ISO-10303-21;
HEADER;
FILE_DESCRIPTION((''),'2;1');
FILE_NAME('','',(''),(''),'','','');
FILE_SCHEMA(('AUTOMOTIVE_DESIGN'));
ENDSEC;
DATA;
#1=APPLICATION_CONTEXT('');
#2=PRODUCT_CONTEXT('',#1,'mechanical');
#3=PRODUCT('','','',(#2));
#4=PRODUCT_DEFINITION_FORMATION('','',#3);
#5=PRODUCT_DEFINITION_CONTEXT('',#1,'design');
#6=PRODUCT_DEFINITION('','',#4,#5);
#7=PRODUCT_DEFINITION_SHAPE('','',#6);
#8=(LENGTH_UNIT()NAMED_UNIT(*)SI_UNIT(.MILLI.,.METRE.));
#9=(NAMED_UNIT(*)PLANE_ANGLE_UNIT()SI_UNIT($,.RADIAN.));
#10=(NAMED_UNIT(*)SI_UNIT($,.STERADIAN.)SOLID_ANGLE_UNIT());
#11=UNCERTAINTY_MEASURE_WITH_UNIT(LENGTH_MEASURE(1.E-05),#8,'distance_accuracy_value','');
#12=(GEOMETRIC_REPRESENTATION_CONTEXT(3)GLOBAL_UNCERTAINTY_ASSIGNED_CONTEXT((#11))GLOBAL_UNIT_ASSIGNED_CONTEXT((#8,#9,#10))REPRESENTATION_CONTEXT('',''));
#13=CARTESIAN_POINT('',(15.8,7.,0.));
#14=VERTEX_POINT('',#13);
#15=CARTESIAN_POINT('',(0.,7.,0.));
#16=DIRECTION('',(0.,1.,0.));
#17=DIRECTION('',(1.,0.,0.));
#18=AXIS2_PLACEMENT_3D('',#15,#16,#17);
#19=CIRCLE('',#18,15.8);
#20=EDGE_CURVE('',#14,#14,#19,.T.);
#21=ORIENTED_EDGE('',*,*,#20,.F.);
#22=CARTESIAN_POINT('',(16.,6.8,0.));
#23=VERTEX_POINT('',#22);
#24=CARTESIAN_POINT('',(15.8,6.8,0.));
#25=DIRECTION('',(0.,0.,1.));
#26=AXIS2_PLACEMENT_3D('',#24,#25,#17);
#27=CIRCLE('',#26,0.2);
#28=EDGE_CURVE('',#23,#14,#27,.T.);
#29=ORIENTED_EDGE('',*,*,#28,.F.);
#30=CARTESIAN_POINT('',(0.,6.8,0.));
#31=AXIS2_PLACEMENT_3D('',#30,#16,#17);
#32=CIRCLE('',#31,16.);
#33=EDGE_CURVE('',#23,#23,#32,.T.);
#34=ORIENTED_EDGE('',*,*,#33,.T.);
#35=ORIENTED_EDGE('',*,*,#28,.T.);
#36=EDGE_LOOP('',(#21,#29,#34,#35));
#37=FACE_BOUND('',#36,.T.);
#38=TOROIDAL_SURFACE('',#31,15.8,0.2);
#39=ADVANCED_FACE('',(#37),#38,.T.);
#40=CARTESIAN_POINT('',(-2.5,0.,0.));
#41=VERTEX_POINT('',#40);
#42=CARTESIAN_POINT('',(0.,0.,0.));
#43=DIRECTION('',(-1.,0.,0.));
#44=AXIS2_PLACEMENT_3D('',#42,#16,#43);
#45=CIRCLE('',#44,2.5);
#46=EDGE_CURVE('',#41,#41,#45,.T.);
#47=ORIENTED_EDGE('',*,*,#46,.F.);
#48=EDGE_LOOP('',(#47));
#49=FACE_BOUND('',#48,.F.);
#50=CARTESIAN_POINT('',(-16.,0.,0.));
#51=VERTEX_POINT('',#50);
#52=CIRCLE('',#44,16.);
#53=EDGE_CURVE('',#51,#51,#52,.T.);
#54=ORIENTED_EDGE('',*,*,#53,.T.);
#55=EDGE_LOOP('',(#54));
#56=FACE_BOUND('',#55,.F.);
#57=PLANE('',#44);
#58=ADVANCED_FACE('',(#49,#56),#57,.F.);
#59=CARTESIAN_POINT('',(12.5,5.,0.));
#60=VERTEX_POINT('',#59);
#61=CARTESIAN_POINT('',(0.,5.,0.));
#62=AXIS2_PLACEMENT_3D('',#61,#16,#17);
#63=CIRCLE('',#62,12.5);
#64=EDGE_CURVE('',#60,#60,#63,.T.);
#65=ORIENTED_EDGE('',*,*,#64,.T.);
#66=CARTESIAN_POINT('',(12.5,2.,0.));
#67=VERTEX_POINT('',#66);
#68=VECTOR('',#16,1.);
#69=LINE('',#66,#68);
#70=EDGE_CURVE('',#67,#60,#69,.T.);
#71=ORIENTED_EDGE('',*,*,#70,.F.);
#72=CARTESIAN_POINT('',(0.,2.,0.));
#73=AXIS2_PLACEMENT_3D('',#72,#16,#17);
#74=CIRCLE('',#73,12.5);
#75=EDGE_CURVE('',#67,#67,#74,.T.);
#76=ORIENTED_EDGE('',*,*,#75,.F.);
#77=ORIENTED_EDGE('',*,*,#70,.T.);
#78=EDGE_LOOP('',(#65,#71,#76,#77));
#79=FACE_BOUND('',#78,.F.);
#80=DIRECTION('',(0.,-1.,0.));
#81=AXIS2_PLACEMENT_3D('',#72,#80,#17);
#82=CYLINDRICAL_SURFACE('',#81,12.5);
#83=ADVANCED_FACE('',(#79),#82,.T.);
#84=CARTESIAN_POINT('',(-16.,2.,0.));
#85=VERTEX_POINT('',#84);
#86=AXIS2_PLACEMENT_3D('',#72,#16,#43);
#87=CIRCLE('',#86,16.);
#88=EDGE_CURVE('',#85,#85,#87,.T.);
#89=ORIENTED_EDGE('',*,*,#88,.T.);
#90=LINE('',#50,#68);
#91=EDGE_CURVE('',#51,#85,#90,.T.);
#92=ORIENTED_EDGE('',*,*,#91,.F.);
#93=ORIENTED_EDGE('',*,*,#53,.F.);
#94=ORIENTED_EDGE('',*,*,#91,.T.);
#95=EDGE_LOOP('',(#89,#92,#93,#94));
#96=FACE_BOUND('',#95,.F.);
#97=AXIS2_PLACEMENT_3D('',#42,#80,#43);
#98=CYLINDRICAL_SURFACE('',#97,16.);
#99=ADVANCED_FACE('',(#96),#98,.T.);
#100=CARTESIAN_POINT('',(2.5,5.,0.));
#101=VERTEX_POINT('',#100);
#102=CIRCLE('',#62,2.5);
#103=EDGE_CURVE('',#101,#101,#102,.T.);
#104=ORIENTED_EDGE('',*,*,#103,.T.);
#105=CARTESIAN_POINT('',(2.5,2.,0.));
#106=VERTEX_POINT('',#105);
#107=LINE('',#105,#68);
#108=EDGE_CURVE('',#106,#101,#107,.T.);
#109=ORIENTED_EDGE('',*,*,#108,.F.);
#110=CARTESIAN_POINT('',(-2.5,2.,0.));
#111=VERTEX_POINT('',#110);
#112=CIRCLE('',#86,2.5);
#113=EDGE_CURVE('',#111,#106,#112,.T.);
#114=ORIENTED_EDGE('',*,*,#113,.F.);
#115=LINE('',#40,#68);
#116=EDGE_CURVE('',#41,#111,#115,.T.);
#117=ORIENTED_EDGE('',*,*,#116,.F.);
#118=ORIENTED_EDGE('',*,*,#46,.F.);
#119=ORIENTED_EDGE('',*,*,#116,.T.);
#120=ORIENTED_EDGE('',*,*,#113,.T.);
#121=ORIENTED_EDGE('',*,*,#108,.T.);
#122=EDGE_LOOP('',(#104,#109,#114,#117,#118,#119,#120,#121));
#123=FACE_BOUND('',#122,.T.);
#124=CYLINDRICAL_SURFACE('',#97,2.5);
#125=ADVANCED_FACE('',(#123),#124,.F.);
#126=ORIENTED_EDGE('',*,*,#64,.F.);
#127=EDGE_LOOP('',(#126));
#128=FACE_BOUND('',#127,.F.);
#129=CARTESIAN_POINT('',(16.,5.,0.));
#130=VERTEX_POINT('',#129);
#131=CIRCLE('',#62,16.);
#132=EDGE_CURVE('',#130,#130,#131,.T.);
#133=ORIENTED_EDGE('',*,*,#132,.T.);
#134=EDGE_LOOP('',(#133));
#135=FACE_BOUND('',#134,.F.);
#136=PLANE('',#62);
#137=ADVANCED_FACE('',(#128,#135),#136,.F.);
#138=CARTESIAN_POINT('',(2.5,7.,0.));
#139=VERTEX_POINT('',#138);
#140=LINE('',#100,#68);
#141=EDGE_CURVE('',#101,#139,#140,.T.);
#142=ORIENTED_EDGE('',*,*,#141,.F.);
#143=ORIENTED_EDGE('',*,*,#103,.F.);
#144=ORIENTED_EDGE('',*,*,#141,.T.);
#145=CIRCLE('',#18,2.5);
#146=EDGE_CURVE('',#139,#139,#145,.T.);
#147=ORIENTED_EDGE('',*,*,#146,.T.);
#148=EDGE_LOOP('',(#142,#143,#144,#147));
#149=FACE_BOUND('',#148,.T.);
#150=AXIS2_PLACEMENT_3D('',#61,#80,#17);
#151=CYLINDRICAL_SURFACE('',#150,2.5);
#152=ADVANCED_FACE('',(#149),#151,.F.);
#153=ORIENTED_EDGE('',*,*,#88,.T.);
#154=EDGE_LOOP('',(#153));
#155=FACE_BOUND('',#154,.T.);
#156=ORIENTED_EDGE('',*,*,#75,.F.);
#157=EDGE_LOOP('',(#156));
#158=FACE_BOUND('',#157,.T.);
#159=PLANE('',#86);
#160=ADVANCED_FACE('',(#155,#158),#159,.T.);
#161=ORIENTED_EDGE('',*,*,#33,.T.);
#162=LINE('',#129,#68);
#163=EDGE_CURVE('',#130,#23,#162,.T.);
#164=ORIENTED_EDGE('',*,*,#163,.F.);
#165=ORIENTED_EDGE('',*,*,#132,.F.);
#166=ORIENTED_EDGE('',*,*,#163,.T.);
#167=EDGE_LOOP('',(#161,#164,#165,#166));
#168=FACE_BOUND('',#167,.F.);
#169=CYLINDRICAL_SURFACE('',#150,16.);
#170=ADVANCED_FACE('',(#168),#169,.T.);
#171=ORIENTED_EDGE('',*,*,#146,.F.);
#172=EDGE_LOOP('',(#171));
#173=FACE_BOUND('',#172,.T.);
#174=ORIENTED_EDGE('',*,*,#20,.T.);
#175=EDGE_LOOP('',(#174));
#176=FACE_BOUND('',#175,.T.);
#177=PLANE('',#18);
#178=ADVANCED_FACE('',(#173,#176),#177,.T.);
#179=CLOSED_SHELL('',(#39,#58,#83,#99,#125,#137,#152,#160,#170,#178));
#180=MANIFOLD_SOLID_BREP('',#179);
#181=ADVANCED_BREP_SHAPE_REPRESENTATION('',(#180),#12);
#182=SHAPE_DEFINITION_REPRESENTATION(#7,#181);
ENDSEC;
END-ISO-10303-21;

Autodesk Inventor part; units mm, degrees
ref_plane "YZ Plane" through (0, 0, 0) normal (1, 0, 0) x (0, 1, 0)
ref_plane "XZ Plane" through (0, 0, 0) normal (0, 1, 0) x (-1, 0, 0)
ref_plane "XY Plane" through (0, 0, 0) normal (0, 0, 1) x (1, 0, 0)
sketch "Sketch1" plane through (0, 0, 0) normal (0, 1, 0) x (-1, 0, 0)
  circle A0 centre (0, 0) radius 16
  circle A1 centre (0, 0) radius 2.5
  dimension "d0" = 32
  dimension "d1" = 5
extrude "Extrusion1" add sketch "Sketch1" along normal blind 2
sketch "Sketch2" plane through (0, 2, 0) normal (0, 1, 0) x (1, 0, 0)
  circle A0 centre (0, 0) radius 2.5 projected
  circle A1 centre (0, 0) radius 12.5
  dimension "d4" = 25
extrude "Extrusion2" add sketch "Sketch2" along normal blind 3
sketch "Sketch3" plane through (0, 5, 0) normal (0, 1, 0) x (1, 0, 0)
  circle A0 centre (0, 0) radius 16
  circle A1 centre (0, 0) radius 2.5
  dimension "d7" = 32
  dimension "d8" = 5
extrude "Extrusion3" add sketch "Sketch3" along normal blind 2
fillet "Fillet1" radius 0.2 1 edges at (-16, 7, 0)
properties part number "Piston" material "Aluminum 6061"
